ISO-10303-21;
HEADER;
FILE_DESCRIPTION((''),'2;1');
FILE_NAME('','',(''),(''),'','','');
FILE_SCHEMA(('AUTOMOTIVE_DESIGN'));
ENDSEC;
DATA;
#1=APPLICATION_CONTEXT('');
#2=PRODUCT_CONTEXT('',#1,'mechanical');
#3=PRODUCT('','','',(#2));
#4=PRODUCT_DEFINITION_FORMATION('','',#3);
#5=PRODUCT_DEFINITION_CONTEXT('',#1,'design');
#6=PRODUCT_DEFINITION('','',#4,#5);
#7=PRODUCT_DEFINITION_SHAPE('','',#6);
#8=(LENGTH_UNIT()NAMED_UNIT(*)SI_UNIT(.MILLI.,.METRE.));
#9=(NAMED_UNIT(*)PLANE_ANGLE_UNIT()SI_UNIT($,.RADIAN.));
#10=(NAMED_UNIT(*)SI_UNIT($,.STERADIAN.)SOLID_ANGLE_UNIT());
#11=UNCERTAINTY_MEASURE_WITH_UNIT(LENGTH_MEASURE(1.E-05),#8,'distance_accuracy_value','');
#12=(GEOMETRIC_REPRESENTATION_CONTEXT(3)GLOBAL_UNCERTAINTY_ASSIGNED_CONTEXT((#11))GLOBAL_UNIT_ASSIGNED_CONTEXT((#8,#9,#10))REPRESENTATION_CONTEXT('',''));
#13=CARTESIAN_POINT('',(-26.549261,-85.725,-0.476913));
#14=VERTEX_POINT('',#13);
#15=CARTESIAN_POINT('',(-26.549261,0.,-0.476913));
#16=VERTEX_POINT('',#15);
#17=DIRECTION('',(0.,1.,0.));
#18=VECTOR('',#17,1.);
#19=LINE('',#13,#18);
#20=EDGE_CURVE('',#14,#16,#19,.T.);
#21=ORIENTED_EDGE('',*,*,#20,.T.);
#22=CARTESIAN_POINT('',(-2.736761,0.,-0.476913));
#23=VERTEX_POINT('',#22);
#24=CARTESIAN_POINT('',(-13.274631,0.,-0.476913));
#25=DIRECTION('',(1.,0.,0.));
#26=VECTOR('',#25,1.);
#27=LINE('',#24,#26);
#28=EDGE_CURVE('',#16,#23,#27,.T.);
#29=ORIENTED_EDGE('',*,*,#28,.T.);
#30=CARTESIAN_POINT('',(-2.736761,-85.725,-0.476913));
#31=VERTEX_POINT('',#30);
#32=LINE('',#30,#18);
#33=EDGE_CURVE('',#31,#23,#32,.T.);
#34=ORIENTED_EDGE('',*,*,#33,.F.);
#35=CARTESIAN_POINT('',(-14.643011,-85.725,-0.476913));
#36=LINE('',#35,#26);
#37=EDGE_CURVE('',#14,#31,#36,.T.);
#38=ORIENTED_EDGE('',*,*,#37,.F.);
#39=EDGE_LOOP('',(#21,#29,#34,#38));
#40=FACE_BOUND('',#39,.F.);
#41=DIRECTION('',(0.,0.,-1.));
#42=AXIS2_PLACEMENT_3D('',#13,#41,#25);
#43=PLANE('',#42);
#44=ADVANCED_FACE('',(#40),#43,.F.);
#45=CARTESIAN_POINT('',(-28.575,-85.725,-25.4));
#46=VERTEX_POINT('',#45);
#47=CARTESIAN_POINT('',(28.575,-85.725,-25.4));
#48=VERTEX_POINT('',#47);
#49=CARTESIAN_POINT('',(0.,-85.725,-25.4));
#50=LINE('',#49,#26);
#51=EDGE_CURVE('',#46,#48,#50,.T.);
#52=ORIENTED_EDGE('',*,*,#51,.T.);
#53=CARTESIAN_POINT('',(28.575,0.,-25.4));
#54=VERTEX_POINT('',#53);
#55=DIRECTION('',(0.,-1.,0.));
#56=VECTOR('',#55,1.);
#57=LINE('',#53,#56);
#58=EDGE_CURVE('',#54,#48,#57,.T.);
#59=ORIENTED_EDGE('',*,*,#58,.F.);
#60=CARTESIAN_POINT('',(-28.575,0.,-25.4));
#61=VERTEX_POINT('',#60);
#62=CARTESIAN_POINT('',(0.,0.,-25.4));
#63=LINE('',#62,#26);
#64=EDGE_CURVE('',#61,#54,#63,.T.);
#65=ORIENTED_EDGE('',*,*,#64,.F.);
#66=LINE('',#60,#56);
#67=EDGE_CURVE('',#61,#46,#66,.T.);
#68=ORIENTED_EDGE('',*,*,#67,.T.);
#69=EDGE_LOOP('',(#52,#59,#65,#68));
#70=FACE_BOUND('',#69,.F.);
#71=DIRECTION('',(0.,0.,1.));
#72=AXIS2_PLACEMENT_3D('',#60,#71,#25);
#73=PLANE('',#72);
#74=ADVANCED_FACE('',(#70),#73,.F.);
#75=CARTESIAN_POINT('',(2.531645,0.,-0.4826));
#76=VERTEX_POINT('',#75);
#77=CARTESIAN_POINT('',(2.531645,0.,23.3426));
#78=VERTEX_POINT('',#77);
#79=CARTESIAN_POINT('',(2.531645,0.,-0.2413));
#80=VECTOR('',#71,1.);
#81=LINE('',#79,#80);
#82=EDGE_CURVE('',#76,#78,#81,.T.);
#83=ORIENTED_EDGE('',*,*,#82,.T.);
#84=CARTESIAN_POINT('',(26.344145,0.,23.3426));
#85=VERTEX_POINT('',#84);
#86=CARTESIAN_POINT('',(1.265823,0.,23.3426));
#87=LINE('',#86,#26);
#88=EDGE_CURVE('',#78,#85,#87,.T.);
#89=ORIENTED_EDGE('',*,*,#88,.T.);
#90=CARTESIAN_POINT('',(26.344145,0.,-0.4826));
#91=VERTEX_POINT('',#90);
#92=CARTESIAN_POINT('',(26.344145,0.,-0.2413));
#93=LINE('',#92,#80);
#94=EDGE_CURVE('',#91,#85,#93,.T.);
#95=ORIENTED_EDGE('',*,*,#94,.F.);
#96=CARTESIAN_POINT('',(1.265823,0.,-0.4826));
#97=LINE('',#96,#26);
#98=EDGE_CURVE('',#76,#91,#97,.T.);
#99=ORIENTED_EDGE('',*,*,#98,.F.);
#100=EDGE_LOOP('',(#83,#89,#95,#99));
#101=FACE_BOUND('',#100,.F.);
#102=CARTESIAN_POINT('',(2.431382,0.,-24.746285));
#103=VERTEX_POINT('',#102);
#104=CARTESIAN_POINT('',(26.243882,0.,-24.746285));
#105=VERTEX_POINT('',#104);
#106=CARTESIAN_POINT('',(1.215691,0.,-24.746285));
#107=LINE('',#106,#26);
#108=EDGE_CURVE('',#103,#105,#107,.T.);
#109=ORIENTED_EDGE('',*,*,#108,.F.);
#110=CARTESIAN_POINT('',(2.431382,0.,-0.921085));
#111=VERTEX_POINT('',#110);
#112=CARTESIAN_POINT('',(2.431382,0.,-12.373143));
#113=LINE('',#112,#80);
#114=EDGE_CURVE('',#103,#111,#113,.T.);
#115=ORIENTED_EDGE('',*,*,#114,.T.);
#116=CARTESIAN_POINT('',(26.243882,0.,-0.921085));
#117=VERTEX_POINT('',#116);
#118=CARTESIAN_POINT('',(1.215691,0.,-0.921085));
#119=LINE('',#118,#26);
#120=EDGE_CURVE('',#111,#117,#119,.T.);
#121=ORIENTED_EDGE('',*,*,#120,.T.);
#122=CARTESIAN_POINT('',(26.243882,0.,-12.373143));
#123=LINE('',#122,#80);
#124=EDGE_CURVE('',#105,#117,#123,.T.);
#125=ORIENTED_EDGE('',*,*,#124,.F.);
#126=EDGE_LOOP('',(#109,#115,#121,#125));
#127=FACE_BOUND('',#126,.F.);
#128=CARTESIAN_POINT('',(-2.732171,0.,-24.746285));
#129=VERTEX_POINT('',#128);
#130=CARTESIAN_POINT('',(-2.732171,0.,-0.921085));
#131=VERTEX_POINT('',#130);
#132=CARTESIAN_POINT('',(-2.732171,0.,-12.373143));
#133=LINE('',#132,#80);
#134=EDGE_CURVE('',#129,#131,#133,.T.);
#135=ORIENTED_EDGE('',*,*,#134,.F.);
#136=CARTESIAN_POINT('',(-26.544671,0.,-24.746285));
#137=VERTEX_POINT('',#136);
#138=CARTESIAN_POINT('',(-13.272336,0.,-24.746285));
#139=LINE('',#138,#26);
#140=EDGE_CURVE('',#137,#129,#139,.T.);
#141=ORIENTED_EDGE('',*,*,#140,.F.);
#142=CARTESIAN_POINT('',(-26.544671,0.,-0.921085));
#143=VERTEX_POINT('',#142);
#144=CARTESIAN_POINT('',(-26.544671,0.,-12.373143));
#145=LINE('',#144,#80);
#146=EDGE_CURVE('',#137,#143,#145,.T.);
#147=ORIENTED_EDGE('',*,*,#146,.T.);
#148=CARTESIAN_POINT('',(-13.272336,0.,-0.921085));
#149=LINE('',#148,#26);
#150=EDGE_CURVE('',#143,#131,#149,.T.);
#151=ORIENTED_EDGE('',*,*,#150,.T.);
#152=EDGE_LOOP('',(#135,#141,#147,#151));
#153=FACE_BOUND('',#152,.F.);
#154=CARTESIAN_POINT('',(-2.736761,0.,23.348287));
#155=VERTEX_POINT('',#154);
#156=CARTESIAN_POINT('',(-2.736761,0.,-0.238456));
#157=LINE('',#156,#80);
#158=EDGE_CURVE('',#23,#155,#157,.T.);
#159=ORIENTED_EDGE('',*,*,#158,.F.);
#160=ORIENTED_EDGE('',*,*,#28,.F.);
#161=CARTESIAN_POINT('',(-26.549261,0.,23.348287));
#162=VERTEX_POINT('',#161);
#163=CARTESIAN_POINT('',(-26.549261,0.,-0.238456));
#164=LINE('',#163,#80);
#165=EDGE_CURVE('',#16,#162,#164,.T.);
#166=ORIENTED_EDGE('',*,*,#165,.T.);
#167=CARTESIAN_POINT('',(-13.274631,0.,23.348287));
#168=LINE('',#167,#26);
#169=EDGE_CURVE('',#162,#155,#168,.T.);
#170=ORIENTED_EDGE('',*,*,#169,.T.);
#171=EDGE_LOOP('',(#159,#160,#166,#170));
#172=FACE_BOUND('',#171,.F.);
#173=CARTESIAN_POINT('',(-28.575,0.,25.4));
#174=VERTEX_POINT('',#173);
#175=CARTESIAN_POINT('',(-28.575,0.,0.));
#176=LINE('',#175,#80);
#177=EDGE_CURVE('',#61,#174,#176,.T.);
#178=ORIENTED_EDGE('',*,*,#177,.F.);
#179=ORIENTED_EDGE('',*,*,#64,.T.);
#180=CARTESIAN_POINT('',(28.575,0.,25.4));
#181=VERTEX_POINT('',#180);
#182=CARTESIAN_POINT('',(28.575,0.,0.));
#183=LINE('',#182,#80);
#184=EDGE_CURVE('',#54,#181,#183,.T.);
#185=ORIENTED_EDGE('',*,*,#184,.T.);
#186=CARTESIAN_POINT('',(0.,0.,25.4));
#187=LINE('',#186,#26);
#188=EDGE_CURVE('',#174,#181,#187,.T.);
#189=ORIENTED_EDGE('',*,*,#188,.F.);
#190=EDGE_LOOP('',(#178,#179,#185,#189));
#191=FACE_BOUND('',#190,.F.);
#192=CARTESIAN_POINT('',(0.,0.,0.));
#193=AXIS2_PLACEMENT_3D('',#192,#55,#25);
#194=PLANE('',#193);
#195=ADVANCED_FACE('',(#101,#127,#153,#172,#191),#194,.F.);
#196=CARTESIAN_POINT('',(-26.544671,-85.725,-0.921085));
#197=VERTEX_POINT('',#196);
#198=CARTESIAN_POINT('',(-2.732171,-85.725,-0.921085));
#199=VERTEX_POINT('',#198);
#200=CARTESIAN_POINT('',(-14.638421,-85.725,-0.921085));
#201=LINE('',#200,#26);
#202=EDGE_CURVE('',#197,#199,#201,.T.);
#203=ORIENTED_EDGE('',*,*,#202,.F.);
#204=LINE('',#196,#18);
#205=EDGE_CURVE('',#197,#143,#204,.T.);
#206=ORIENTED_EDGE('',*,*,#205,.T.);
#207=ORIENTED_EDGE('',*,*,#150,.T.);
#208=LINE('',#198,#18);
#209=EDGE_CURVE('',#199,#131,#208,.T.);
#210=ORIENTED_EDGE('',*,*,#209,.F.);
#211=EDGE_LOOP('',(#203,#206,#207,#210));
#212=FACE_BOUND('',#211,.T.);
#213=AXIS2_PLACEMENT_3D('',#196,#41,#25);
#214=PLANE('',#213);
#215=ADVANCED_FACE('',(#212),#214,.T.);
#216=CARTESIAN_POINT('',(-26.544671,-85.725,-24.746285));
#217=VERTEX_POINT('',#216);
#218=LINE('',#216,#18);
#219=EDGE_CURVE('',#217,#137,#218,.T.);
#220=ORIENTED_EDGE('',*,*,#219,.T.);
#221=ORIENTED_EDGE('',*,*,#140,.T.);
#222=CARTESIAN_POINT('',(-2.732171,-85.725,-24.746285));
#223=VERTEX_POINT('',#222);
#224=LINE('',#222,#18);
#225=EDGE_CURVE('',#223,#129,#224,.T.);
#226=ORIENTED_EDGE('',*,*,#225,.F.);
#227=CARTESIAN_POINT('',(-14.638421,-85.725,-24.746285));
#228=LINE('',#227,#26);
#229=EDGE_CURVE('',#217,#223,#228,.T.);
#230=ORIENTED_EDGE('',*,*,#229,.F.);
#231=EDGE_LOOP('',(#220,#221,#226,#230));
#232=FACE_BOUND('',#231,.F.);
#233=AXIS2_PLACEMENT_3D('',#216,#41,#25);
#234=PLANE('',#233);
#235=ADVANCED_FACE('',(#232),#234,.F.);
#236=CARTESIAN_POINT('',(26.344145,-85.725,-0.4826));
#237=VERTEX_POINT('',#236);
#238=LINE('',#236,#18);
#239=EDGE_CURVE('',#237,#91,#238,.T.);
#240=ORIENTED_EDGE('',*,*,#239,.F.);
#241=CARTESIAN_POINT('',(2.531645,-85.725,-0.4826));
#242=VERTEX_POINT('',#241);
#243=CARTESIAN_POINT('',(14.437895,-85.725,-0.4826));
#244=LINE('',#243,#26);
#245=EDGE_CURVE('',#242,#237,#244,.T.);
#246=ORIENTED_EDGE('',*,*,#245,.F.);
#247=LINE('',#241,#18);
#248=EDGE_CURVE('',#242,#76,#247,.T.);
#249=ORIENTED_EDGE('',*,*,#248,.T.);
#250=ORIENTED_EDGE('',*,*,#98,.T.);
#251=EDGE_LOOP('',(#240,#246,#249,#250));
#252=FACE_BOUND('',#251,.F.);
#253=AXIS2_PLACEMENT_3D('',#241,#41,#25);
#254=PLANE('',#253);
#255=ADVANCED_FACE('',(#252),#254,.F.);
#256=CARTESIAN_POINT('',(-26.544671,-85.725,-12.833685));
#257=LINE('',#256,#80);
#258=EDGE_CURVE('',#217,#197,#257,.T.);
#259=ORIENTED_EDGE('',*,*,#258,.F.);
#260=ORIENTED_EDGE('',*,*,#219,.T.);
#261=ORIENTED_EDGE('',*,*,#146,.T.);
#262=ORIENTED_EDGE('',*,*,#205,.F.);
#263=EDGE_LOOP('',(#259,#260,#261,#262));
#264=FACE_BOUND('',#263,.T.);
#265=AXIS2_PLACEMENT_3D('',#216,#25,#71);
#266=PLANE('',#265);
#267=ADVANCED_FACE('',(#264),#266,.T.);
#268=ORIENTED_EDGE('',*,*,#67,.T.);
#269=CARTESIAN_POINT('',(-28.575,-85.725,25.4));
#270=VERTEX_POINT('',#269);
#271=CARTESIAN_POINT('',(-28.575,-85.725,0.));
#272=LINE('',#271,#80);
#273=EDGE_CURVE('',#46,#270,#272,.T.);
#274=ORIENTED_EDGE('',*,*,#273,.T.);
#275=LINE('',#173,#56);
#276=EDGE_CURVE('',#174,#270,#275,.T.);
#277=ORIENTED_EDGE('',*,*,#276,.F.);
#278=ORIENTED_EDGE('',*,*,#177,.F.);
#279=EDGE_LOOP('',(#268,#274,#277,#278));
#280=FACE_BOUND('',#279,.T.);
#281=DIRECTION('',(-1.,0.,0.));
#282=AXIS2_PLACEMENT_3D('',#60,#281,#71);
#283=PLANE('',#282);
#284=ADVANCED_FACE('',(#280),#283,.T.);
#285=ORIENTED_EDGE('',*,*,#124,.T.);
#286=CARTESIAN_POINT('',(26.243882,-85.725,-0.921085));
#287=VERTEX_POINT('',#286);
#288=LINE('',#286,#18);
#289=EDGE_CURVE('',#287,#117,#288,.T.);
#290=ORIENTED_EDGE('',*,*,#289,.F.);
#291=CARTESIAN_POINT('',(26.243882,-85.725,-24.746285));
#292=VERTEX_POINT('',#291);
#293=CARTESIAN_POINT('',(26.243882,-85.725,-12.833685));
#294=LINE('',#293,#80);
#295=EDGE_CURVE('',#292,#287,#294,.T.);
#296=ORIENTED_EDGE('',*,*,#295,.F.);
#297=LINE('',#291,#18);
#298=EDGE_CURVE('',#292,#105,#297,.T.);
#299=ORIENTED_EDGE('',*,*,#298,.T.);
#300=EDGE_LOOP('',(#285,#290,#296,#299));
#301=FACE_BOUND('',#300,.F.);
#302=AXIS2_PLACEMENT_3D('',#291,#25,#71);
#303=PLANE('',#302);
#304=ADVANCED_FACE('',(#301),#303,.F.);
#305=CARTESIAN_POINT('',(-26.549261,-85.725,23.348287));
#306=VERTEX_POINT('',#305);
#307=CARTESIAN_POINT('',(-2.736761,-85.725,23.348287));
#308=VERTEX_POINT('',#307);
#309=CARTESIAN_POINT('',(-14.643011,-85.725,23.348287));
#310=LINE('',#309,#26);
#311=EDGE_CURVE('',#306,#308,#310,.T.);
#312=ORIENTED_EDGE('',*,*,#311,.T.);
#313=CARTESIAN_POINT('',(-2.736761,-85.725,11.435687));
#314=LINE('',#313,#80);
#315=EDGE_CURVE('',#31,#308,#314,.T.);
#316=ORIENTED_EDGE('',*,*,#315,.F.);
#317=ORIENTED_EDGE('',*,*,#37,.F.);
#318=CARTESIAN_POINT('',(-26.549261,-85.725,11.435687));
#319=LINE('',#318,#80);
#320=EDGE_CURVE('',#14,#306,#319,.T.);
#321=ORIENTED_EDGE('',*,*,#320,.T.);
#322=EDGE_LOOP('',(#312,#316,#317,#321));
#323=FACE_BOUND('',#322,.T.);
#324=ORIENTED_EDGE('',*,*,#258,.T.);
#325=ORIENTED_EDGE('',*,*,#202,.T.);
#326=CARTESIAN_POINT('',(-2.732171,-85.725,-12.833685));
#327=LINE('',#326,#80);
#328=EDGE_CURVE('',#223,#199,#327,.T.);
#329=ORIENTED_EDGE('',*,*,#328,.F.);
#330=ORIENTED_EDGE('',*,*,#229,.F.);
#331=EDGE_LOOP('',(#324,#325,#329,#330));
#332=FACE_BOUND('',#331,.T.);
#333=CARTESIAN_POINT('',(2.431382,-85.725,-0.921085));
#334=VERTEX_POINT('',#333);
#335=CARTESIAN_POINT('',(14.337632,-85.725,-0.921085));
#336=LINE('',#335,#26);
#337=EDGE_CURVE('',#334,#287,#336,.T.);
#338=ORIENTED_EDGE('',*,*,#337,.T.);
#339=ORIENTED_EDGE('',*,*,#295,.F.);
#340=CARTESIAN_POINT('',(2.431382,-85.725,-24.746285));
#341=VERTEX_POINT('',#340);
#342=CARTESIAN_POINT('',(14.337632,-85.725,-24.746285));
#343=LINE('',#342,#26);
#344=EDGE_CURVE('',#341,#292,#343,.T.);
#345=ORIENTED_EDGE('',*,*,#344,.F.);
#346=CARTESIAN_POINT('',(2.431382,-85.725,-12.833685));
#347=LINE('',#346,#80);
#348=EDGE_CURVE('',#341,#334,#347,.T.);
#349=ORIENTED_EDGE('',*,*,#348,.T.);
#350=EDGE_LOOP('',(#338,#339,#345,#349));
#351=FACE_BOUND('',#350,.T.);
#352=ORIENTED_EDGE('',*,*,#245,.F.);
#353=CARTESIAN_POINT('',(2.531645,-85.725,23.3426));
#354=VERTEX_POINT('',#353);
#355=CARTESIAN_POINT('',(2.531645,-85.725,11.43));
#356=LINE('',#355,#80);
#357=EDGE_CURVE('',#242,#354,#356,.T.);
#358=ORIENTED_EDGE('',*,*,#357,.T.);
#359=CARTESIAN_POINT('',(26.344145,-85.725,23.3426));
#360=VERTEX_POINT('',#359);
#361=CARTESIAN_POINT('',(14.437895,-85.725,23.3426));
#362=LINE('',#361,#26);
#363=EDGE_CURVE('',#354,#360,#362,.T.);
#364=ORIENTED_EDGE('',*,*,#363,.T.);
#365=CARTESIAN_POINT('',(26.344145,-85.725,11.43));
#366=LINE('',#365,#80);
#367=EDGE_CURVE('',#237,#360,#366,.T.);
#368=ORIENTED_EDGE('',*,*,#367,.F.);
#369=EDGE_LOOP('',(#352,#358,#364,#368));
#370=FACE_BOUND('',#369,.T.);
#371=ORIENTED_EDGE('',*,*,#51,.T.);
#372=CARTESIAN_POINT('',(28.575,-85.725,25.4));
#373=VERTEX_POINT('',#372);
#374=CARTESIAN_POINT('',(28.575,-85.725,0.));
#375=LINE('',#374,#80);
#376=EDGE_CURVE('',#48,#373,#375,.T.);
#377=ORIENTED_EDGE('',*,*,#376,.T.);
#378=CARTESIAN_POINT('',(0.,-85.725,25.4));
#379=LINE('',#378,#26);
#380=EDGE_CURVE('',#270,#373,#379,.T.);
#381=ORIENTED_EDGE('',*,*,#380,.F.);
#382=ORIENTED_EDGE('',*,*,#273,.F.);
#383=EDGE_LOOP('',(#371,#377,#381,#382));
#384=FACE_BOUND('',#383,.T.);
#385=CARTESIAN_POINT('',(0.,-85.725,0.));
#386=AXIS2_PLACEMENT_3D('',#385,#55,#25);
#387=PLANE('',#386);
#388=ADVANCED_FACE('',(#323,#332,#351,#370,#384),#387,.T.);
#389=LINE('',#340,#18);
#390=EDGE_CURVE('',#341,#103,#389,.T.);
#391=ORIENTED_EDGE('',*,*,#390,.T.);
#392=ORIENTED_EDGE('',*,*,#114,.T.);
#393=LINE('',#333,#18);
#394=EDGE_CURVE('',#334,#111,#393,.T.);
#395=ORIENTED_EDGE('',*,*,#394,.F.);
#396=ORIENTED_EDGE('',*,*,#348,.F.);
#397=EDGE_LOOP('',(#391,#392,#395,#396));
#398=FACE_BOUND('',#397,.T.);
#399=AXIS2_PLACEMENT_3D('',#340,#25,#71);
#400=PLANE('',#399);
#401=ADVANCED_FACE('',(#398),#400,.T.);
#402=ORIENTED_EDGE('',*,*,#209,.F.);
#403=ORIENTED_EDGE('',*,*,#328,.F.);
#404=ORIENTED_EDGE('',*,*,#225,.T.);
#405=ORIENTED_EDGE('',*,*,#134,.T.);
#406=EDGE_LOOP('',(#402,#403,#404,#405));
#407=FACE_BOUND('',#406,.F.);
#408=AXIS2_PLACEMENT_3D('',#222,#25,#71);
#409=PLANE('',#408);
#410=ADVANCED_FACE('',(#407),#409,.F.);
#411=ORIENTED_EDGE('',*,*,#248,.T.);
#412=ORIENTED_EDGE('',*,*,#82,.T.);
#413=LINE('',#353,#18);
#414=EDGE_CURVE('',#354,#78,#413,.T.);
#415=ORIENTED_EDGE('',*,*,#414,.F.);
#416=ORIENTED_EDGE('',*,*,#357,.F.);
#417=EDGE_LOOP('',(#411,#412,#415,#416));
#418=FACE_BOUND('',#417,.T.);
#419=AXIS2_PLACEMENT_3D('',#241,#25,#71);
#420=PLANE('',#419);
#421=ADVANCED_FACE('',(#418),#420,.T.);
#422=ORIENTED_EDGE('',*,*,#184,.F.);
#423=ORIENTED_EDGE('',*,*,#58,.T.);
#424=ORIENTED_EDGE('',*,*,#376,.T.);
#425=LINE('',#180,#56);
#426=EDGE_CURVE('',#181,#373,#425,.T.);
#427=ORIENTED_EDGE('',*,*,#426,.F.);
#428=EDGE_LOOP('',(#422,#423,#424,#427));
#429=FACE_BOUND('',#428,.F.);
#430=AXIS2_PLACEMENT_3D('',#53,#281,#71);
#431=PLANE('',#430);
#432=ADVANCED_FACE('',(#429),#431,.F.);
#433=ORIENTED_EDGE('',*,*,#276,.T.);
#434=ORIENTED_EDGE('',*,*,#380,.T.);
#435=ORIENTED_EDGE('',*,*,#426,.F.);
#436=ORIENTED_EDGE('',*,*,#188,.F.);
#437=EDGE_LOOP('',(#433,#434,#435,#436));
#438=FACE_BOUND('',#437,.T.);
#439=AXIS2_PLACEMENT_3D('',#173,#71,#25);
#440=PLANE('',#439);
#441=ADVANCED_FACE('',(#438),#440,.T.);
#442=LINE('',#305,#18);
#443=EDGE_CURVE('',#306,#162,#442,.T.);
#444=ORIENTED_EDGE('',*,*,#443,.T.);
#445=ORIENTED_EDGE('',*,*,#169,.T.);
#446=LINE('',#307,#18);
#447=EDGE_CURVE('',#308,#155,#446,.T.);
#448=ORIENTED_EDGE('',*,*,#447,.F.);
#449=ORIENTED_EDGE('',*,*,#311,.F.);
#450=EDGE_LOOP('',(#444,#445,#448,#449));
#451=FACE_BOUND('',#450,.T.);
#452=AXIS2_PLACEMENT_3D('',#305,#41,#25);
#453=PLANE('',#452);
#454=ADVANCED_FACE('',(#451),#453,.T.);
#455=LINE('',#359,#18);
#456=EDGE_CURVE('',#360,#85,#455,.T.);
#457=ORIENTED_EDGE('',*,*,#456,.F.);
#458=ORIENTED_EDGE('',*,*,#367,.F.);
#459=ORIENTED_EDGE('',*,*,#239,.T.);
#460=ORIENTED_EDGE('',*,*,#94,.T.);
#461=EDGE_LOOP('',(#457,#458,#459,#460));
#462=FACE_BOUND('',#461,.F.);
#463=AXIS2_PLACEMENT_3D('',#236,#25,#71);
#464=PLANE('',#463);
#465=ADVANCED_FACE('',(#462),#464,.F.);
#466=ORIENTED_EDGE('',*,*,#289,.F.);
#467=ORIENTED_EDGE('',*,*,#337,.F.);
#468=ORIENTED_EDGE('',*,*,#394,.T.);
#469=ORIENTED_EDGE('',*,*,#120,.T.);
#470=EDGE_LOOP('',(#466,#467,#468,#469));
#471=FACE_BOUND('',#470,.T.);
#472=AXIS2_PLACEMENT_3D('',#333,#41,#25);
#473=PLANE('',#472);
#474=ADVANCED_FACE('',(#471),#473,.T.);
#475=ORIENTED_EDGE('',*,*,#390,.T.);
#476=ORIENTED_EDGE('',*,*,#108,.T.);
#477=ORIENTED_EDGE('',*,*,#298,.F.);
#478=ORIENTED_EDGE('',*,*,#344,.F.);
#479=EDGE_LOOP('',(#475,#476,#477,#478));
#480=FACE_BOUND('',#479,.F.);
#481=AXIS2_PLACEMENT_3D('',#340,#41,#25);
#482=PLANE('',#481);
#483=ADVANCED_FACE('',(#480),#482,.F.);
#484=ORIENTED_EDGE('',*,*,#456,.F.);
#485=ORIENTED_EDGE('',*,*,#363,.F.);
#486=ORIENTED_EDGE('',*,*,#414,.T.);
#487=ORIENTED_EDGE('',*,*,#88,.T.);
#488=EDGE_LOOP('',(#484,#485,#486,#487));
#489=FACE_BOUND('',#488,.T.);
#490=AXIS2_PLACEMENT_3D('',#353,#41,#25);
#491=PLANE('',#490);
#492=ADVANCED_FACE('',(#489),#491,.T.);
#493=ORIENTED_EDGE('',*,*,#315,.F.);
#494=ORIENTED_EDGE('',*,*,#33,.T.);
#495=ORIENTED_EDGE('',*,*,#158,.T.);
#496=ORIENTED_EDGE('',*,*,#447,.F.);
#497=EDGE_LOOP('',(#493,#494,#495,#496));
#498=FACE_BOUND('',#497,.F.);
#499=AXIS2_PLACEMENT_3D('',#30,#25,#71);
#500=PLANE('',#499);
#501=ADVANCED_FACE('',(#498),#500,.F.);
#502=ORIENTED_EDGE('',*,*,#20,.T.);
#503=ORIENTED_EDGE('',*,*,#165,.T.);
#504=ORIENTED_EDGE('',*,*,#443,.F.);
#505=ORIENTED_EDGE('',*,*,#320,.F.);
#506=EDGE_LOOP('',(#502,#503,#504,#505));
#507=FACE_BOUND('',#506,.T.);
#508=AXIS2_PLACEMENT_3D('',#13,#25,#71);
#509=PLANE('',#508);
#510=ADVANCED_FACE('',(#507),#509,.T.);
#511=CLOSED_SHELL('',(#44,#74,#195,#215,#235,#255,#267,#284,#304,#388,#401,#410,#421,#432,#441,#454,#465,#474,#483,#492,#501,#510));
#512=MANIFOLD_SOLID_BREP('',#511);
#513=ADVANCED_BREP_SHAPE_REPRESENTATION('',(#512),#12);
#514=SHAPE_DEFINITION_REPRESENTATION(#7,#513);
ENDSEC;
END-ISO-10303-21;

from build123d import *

# Parameters (mm, degrees)
F0_W     = 57.15
F0_H     = 50.8
F1_DEPTH = 85.725
F2_W     = 23.8125
F2_H     = 23.8252
F3_DEPTH = 85.726
F4_W     = 23.8125
F4_H     = 23.8252
F5_DEPTH = 85.726
F6_W     = 23.8125
F6_H     = 23.8252
F7_DEPTH = 85.726
F8_W     = 23.8125
F8_H     = 23.8252
F9_DEPTH = 85.726


with BuildPart() as f1:
    # F0 (on Front) → F1 (new body)
    with BuildSketch(Plane.XZ):
        Rectangle(F0_W, F0_H)
    extrude(amount=F1_DEPTH)

    # F2 (on face) → F3 (cut, through all)
    with BuildSketch(Plane.XZ.offset(85.725)):
        with Locations((-14.643011, 11.435687)):
            Rectangle(F2_W, F2_H)
    extrude(amount=-F3_DEPTH, mode=Mode.SUBTRACT)

    # F4 (on face) → F5 (cut, through all)
    with BuildSketch(Plane.XZ.offset(85.725)):
        with Locations((14.437895, 11.43)):
            Rectangle(F4_W, F4_H)
    extrude(amount=-F5_DEPTH, mode=Mode.SUBTRACT)

    # F6 (on face) → F7 (cut, through all)
    with BuildSketch(Plane.XZ.offset(85.725)):
        with Locations((-14.638421, -12.833685)):
            Rectangle(F6_W, F6_H)
    extrude(amount=-F7_DEPTH, mode=Mode.SUBTRACT)

    # F8 (on face) → F9 (cut, through all)
    with BuildSketch(Plane.XZ.offset(85.725)):
        with Locations((14.337632, -12.833685)):
            Rectangle(F8_W, F8_H)
    extrude(amount=-F9_DEPTH, mode=Mode.SUBTRACT)


solid = f1.part
